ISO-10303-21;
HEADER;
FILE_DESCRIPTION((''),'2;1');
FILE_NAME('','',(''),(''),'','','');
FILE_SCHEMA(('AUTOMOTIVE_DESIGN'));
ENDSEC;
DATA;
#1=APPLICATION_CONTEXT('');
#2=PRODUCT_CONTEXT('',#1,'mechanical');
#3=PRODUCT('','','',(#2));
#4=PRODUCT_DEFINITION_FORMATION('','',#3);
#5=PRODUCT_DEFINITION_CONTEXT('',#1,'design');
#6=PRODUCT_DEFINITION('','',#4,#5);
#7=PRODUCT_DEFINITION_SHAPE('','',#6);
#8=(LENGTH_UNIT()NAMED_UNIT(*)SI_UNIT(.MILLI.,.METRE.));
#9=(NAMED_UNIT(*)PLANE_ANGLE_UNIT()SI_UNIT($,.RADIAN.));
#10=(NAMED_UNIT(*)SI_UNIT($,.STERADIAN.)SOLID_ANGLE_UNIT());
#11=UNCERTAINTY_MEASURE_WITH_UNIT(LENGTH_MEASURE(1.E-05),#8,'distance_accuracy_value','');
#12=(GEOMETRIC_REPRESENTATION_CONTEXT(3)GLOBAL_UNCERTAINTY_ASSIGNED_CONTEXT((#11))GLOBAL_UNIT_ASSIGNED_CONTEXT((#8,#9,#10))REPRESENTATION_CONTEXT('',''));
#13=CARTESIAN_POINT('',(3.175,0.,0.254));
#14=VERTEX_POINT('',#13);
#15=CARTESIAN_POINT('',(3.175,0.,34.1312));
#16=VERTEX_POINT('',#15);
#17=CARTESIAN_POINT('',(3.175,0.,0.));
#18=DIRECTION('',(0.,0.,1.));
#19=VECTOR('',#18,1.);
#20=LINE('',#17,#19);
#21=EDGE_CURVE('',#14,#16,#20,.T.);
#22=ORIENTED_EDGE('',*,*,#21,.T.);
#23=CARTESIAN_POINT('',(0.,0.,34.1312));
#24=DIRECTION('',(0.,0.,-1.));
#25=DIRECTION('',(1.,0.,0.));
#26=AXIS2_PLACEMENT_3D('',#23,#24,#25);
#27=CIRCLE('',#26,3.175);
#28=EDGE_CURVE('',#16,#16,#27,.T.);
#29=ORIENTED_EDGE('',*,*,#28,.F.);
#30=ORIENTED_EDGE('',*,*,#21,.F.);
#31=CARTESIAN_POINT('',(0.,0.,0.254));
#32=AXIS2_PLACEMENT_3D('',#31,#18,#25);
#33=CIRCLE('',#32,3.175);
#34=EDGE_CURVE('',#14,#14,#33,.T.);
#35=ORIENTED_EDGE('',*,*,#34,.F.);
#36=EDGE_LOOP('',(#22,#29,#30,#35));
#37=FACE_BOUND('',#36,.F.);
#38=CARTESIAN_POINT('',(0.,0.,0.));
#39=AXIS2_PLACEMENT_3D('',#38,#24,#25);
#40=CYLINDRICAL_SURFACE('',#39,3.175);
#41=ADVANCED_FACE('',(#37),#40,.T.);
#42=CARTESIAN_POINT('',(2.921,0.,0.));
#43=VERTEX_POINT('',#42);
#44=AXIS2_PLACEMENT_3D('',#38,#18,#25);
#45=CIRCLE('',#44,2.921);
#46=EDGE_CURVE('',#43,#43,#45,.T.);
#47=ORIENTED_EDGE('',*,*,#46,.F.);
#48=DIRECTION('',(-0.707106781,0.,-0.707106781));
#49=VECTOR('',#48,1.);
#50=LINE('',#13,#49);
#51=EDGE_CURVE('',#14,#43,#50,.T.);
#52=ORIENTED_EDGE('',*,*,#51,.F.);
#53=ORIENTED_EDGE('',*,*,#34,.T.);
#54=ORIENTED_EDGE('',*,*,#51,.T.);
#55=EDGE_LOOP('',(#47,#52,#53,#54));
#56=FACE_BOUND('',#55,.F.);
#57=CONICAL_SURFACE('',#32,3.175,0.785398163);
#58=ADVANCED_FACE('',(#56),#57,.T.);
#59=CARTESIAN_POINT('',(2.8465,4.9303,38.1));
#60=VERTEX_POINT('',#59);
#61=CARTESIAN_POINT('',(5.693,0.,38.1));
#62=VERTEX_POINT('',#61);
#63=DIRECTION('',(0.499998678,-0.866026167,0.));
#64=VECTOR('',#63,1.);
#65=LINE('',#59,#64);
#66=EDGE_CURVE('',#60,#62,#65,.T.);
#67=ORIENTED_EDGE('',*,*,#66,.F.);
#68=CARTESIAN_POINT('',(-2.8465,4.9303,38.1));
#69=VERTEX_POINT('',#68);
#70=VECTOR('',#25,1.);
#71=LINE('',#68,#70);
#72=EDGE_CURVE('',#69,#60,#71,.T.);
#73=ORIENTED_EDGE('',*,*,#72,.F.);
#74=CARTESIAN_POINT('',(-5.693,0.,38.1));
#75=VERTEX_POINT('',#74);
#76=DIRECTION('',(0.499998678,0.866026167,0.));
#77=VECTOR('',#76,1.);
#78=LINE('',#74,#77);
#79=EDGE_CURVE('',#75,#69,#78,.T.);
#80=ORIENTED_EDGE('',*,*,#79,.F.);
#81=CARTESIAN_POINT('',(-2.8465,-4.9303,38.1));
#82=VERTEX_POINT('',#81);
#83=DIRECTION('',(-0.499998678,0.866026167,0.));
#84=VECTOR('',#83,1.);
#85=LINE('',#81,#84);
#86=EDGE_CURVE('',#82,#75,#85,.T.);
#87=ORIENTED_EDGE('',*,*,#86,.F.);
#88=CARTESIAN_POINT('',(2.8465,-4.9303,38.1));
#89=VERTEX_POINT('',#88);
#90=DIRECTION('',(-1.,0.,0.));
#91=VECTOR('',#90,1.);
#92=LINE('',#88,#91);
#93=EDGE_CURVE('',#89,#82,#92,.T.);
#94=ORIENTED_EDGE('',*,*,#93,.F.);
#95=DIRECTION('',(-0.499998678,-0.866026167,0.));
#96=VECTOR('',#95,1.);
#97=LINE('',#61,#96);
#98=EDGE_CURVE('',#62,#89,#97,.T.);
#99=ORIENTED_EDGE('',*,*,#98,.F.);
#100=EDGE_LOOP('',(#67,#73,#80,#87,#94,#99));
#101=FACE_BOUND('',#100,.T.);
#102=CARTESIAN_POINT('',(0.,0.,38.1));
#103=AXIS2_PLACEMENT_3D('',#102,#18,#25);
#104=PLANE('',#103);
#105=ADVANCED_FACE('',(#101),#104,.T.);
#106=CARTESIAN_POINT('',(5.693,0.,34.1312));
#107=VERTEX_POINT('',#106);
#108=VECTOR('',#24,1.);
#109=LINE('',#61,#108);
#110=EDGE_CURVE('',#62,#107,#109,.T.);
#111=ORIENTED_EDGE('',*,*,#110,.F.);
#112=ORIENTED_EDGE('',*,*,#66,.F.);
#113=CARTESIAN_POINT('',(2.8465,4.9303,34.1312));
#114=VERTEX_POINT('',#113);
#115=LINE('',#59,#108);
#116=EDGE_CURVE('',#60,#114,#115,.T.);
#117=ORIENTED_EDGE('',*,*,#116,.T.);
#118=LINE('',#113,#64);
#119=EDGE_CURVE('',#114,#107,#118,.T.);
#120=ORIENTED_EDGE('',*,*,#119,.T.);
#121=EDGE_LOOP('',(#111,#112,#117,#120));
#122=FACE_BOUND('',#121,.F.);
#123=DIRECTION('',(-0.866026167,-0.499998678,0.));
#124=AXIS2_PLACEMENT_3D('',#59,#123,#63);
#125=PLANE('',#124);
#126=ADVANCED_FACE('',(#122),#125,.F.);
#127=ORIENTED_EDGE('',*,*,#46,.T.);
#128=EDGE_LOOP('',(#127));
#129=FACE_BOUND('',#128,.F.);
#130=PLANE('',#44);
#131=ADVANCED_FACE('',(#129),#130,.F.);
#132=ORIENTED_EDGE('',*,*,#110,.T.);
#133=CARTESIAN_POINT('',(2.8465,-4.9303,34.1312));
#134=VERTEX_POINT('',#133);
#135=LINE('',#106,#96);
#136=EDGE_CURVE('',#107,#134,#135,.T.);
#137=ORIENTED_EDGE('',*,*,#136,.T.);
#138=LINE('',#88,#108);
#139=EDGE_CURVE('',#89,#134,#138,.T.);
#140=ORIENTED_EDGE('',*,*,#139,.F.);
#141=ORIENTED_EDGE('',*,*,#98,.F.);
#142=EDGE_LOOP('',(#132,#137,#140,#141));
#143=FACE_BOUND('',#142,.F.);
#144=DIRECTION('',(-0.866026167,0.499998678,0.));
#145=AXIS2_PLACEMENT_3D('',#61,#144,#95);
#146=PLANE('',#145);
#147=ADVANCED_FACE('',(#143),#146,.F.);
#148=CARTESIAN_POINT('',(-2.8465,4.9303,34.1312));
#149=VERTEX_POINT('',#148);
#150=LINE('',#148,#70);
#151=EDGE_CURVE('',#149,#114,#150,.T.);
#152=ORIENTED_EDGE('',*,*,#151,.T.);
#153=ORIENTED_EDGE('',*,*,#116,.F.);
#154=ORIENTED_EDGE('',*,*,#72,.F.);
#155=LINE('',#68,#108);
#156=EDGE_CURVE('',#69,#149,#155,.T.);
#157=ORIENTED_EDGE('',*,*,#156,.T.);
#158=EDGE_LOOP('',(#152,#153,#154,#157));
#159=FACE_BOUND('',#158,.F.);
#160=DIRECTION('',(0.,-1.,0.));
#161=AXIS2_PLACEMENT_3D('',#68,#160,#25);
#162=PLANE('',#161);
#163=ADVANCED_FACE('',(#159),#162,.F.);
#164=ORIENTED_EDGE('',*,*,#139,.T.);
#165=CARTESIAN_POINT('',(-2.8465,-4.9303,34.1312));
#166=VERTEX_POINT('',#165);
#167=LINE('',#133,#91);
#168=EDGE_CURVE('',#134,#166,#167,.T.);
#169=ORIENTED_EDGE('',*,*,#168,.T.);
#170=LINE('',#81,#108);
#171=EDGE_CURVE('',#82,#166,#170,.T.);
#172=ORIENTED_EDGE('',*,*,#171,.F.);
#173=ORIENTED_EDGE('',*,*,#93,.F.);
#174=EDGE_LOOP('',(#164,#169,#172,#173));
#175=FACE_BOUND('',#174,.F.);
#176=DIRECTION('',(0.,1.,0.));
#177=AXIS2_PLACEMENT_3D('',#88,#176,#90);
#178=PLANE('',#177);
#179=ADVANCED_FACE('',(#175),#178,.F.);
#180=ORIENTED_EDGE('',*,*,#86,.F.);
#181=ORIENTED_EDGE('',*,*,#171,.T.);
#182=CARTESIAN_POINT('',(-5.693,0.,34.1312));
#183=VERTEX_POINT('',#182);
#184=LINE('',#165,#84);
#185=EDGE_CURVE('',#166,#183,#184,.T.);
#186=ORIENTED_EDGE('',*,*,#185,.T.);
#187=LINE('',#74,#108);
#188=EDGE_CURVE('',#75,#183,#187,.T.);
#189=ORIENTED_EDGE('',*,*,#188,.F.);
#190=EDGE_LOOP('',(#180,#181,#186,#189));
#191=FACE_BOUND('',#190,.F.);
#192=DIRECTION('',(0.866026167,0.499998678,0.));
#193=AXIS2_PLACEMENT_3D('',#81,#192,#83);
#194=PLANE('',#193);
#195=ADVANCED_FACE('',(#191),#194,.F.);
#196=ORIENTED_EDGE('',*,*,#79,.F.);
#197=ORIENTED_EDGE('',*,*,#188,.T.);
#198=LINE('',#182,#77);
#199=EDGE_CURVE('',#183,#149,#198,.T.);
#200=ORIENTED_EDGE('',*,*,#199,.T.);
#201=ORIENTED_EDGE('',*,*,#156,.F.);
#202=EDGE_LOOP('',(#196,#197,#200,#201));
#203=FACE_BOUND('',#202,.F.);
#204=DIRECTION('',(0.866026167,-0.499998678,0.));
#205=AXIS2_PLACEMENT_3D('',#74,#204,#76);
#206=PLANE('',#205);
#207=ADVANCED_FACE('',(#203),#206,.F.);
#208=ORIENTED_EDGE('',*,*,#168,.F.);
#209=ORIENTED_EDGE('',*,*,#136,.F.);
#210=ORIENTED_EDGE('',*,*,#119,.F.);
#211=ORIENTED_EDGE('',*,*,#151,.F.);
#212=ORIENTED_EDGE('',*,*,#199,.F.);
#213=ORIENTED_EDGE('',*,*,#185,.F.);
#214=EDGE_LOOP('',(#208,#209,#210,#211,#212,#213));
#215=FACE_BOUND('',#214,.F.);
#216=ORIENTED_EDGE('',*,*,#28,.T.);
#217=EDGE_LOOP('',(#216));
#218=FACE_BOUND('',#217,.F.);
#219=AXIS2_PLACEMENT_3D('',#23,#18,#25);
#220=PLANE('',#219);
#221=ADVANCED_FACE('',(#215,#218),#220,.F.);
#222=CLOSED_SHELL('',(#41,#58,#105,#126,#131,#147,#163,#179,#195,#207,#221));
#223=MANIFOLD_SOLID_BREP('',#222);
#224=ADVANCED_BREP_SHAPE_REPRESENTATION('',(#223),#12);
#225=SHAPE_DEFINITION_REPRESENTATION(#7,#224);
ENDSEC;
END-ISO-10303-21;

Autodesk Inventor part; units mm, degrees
ref_plane "YZ Plane" through (0, 0, 0) normal (1, 0, 0) x (0, 1, 0)
ref_plane "XZ Plane" through (0, 0, 0) normal (0, 1, 0) x (-1, 0, 0)
ref_plane "XY Plane" through (0, 0, 0) normal (0, 0, 1) x (1, 0, 0)
sketch "Sketch1" plane through (0, 0, 0) normal (0, 0, 1) x (1, 0, 0)
  circle A0 centre (0, 0) radius 3.175
  dimension "d0" = 6.35
extrude "Extrusion1" add sketch "Sketch1" along normal blind 38.1
sketch "Sketch2" plane through (0, 0, 38.1) normal (0, 0, 1) x (1, 0, 0)
  line L0 (5.693, 0) -> (2.8465, -4.9303)
  line L1 (2.8465, -4.9303) -> (-2.8465, -4.9303)
  line L2 (-2.8465, -4.9303) -> (-5.693, 0)
  line L3 (-5.693, 0) -> (-2.8465, 4.9303)
  line L4 (-2.8465, 4.9303) -> (2.8465, 4.9303)
  line L5 (2.8465, 4.9303) -> (5.693, 0)
  point P0 (0, 0)
  point P1 (0, 0)
extrude "Extrusion2" add sketch "Sketch2" against normal blind 3.9688
chamfer "Chamfer1" distance 0.254 angle 45 1 edges at (-3.175, 0, 0)
properties part number "1.5in bolt"
